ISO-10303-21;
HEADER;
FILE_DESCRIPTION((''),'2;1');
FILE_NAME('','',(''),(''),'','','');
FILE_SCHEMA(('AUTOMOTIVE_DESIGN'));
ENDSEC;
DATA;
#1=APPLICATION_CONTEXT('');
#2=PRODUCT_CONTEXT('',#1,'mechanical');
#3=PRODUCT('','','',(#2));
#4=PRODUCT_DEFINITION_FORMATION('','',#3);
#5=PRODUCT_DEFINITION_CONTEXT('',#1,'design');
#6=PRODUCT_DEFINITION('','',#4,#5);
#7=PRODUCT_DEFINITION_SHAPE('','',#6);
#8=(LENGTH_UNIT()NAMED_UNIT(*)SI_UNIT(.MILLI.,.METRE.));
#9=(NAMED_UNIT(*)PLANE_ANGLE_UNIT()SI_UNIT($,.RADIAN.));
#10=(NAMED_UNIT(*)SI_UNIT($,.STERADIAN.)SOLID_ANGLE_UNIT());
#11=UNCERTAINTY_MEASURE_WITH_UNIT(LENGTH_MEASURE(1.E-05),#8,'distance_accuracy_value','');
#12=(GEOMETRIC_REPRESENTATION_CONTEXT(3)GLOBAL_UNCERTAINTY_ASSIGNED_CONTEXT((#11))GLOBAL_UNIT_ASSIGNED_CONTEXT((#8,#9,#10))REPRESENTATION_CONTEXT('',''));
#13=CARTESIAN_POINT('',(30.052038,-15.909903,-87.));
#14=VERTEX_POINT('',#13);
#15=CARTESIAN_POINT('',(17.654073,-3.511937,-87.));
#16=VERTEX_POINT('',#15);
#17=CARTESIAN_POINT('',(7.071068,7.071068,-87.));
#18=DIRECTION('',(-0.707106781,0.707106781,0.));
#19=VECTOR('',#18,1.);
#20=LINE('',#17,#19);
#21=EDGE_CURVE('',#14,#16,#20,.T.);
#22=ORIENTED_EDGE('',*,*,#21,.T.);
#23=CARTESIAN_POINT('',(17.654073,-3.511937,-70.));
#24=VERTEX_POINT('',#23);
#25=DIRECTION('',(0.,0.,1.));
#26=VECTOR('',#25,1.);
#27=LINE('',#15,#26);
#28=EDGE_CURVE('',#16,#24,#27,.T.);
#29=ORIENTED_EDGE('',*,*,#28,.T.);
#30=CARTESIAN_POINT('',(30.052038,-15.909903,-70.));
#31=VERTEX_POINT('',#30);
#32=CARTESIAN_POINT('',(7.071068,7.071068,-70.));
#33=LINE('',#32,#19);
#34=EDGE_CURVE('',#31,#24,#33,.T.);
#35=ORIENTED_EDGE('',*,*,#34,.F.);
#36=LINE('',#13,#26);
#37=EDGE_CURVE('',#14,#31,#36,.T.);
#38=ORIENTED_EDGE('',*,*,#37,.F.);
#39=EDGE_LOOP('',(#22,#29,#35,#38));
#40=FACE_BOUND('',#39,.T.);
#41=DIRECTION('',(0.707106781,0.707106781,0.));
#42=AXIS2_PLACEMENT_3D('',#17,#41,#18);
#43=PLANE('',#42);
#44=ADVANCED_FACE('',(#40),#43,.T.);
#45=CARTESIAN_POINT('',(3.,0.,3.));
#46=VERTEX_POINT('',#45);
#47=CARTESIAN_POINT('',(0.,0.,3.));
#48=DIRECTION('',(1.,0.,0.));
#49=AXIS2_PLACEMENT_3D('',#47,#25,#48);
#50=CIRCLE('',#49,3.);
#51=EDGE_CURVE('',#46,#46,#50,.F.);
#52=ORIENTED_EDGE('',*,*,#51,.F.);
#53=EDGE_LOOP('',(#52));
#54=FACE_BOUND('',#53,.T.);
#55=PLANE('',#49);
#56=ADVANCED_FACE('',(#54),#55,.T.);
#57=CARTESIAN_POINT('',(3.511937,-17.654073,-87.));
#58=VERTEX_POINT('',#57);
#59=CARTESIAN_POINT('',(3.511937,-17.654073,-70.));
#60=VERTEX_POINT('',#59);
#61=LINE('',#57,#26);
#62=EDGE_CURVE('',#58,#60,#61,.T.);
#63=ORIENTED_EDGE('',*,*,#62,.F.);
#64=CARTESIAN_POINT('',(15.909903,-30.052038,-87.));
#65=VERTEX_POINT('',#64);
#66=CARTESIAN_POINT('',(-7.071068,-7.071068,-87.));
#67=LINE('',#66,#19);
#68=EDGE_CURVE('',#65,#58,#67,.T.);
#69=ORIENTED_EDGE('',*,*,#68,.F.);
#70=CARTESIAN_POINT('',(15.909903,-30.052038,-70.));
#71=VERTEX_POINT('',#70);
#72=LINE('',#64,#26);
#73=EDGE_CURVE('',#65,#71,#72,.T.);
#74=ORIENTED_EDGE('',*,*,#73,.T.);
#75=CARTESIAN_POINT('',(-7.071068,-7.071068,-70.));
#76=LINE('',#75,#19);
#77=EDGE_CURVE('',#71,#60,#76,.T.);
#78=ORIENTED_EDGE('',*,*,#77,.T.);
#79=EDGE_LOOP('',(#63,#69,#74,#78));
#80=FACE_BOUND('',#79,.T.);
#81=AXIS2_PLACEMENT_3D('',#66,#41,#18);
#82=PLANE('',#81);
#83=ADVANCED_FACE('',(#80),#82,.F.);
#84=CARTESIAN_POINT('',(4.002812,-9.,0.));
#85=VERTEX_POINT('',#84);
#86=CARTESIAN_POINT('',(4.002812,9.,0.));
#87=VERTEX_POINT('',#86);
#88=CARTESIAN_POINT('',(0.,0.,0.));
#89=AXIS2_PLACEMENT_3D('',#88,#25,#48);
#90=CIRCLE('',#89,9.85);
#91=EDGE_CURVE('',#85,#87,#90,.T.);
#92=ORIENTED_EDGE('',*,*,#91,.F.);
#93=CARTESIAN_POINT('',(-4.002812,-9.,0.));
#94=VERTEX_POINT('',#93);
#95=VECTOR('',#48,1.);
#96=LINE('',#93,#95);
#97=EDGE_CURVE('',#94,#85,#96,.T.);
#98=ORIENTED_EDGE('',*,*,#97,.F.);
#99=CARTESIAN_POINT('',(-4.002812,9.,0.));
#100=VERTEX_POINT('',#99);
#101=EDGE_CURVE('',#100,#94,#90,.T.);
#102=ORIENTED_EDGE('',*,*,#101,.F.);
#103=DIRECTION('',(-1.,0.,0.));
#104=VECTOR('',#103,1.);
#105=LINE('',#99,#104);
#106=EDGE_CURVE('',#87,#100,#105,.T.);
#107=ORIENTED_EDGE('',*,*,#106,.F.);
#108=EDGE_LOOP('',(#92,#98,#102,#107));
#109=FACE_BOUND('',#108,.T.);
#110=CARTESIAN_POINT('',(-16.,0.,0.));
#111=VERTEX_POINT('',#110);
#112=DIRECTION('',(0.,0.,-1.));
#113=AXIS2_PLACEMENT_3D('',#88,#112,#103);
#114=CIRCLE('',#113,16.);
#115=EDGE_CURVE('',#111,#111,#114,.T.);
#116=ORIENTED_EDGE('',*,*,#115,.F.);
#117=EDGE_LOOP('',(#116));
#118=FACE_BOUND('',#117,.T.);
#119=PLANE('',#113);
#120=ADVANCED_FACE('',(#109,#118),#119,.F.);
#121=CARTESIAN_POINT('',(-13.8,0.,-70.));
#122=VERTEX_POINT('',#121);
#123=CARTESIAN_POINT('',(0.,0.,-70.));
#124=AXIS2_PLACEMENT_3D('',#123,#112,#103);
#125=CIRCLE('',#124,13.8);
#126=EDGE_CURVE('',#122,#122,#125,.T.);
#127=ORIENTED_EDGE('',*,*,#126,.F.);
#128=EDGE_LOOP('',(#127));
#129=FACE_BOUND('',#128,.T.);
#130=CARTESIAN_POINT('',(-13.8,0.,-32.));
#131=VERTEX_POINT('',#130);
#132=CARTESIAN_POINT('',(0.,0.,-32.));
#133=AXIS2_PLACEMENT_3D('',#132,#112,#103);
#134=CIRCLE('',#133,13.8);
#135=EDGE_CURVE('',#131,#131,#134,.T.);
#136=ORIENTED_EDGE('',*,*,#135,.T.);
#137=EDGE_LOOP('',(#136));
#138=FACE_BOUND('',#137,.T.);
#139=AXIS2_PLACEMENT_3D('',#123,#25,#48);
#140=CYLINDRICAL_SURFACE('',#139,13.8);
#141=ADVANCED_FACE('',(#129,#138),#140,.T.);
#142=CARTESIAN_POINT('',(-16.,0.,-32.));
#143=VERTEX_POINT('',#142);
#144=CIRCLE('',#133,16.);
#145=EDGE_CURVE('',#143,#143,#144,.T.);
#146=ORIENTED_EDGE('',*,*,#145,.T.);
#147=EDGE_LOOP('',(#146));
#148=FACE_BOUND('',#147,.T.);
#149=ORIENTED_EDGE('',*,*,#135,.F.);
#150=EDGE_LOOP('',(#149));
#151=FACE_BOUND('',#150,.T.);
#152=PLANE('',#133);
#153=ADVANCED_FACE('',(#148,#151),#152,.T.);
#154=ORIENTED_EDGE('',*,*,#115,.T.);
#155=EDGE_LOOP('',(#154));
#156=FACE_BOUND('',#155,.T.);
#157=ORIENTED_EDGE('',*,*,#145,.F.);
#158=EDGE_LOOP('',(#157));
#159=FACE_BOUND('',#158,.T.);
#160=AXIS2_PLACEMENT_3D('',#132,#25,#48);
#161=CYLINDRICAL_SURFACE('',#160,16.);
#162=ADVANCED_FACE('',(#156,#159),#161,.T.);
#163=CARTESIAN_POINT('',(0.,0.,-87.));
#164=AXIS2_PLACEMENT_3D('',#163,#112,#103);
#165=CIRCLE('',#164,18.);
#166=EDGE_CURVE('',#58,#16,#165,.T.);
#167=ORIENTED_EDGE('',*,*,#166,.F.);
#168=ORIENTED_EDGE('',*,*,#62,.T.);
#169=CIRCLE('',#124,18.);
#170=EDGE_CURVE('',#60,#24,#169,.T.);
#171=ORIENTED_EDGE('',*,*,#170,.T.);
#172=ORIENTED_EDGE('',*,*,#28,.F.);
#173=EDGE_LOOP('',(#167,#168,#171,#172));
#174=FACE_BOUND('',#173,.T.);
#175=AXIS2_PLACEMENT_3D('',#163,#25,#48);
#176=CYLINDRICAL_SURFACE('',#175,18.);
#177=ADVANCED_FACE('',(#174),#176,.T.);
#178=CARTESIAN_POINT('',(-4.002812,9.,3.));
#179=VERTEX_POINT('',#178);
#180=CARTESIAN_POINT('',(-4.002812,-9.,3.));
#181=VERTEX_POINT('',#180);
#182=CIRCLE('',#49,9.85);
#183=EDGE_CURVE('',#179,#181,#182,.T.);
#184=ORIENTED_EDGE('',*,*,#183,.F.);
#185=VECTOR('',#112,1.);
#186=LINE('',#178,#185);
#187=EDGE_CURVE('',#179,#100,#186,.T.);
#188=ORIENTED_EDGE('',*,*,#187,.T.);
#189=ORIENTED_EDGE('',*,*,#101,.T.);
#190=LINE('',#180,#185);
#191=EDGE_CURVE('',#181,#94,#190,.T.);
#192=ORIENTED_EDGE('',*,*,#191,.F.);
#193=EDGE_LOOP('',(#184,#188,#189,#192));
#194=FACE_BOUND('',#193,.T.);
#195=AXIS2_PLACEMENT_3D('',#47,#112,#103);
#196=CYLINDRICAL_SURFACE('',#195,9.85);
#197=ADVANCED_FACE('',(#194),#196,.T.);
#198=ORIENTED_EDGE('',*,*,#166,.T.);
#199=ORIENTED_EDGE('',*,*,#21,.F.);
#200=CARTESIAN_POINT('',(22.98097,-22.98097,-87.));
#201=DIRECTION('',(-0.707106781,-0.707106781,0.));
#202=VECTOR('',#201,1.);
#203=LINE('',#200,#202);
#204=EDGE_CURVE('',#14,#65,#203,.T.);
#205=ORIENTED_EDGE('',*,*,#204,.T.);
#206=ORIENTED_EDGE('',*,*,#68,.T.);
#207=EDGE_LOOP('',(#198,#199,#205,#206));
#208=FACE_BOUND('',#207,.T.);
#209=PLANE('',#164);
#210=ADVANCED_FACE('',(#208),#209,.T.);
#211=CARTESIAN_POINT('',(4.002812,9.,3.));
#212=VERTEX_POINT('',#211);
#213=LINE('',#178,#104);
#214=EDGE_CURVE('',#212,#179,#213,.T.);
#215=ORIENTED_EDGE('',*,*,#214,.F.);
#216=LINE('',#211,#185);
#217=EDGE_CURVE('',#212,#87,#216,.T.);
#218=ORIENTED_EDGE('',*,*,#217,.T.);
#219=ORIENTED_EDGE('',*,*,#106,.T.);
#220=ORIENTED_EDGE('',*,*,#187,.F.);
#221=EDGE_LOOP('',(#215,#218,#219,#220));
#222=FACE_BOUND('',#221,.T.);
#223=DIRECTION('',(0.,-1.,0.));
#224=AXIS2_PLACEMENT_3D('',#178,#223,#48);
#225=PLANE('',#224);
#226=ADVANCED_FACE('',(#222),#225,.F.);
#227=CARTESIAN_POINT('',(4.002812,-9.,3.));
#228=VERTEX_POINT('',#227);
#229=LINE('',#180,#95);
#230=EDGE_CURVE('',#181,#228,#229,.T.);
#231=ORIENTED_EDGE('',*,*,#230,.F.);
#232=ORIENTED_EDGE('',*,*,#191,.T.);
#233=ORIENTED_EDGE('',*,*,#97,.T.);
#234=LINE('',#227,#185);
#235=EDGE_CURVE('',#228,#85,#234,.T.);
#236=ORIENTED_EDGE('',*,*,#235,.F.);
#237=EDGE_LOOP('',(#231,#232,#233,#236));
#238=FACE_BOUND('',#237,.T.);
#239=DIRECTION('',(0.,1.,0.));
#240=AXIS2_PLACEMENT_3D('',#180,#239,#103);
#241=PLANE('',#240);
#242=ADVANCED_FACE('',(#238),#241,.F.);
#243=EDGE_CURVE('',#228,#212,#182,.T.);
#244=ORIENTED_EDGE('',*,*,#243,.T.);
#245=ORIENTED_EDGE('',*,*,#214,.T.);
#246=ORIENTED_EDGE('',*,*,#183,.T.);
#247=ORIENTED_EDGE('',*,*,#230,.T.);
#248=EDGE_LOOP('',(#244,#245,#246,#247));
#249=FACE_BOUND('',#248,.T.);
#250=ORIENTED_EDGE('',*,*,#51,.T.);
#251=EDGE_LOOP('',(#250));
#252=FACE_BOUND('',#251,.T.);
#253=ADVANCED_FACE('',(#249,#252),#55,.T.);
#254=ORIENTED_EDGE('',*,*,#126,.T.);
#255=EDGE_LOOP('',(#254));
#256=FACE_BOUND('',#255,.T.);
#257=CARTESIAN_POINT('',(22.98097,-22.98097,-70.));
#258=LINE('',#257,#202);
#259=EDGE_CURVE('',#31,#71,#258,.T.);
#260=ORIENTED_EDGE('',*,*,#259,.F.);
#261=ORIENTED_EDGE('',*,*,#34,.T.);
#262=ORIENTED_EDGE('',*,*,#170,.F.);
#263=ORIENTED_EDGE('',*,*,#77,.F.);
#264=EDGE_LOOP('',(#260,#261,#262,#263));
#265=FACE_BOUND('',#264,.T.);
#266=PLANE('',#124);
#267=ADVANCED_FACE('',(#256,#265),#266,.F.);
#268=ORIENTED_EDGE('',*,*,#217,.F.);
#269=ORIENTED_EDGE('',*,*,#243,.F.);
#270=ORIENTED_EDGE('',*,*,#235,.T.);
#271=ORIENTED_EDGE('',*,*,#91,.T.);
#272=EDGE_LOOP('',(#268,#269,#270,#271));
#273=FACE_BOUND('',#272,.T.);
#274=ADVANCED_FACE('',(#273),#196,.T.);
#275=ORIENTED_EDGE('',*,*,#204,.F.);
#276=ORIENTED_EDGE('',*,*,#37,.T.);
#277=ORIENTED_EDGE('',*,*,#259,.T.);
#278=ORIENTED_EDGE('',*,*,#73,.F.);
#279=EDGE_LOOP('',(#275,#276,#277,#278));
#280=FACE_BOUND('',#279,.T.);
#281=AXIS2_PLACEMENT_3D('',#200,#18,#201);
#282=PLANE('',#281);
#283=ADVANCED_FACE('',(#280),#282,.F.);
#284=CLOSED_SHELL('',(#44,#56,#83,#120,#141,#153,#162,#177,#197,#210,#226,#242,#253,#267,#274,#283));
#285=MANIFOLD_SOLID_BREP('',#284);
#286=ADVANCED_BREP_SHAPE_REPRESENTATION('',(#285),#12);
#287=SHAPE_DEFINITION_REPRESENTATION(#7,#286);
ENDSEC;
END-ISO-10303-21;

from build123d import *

# Parameters (mm, degrees)
BOSS_EXTRUDE1_DEPTH = 3
SKETCH2_R           = 16
BOSS_EXTRUDE2_DEPTH = 32
SKETCH3_R           = 13.8
BOSS_EXTRUDE3_DEPTH = 38
SKETCH4_R           = 18
SKETCH4_R_2         = 13.8
BOSS_EXTRUDE4_DEPTH = 17


with BuildPart() as part:
    # Sketch1 → Boss-Extrude1 (new body)
    with BuildSketch(Plane.XY):
        with BuildLine():
            Line((-4.002811512, 9), (4.002811512, 9))
            ThreePointArc((4.002811512, 9), (9.85, 0), (4.002811512, -9))
            Line((4.002811512, -9), (-4.002811512, -9))
            ThreePointArc((-4.002811512, -9), (-9.85, 0), (-4.002811512, 9))
        make_face()
    extrude(amount=BOSS_EXTRUDE1_DEPTH)

    # Sketch2 → Boss-Extrude2 (add)
    with BuildSketch(Plane(origin=(0, 0, 0), x_dir=(-1, 0, 0), z_dir=(0, 0, -1))):
        Circle(SKETCH2_R)
    extrude(amount=BOSS_EXTRUDE2_DEPTH)

    # Sketch3 → Boss-Extrude3 (add)
    with BuildSketch(Plane(origin=(0, 0, -32), x_dir=(-1, 0, 0), z_dir=(0, 0, -1))):
        Circle(SKETCH3_R)
    extrude(amount=BOSS_EXTRUDE3_DEPTH)

    # Sketch4 → Boss-Extrude4 (add)
    # profile 1 of 3: a face of its own
    with BuildSketch(Plane(origin=(0, 0, -70), x_dir=(-1, 0, 0), z_dir=(0, 0, -1))):
        Circle(SKETCH4_R)
        Circle(SKETCH4_R_2, mode=Mode.SUBTRACT)
    # profile 2 of 3: a face of its own
    with BuildSketch(Plane(origin=(0, 0, -70), x_dir=(-1, 0, 0), z_dir=(0, 0, -1))):
        Circle(SKETCH4_R_2)
    # profile 3 of 3: a face of its own
    with BuildSketch(Plane(origin=(0, 0, -70), x_dir=(-1, 0, 0), z_dir=(0, 0, -1))):
        with BuildLine():
            Line((-17.654073056, -3.511937432), (-30.0520382, -15.909902577))
            Line((-30.0520382, -15.909902577), (-15.909902577, -30.0520382))
            Line((-15.909902577, -30.0520382), (-3.511937432, -17.654073056))
            ThreePointArc((-3.511937432, -17.654073056), (-12.727922061, -12.727922061), (-17.654073056, -3.511937432))
        make_face()
    extrude(amount=BOSS_EXTRUDE4_DEPTH)


solid = part.part
